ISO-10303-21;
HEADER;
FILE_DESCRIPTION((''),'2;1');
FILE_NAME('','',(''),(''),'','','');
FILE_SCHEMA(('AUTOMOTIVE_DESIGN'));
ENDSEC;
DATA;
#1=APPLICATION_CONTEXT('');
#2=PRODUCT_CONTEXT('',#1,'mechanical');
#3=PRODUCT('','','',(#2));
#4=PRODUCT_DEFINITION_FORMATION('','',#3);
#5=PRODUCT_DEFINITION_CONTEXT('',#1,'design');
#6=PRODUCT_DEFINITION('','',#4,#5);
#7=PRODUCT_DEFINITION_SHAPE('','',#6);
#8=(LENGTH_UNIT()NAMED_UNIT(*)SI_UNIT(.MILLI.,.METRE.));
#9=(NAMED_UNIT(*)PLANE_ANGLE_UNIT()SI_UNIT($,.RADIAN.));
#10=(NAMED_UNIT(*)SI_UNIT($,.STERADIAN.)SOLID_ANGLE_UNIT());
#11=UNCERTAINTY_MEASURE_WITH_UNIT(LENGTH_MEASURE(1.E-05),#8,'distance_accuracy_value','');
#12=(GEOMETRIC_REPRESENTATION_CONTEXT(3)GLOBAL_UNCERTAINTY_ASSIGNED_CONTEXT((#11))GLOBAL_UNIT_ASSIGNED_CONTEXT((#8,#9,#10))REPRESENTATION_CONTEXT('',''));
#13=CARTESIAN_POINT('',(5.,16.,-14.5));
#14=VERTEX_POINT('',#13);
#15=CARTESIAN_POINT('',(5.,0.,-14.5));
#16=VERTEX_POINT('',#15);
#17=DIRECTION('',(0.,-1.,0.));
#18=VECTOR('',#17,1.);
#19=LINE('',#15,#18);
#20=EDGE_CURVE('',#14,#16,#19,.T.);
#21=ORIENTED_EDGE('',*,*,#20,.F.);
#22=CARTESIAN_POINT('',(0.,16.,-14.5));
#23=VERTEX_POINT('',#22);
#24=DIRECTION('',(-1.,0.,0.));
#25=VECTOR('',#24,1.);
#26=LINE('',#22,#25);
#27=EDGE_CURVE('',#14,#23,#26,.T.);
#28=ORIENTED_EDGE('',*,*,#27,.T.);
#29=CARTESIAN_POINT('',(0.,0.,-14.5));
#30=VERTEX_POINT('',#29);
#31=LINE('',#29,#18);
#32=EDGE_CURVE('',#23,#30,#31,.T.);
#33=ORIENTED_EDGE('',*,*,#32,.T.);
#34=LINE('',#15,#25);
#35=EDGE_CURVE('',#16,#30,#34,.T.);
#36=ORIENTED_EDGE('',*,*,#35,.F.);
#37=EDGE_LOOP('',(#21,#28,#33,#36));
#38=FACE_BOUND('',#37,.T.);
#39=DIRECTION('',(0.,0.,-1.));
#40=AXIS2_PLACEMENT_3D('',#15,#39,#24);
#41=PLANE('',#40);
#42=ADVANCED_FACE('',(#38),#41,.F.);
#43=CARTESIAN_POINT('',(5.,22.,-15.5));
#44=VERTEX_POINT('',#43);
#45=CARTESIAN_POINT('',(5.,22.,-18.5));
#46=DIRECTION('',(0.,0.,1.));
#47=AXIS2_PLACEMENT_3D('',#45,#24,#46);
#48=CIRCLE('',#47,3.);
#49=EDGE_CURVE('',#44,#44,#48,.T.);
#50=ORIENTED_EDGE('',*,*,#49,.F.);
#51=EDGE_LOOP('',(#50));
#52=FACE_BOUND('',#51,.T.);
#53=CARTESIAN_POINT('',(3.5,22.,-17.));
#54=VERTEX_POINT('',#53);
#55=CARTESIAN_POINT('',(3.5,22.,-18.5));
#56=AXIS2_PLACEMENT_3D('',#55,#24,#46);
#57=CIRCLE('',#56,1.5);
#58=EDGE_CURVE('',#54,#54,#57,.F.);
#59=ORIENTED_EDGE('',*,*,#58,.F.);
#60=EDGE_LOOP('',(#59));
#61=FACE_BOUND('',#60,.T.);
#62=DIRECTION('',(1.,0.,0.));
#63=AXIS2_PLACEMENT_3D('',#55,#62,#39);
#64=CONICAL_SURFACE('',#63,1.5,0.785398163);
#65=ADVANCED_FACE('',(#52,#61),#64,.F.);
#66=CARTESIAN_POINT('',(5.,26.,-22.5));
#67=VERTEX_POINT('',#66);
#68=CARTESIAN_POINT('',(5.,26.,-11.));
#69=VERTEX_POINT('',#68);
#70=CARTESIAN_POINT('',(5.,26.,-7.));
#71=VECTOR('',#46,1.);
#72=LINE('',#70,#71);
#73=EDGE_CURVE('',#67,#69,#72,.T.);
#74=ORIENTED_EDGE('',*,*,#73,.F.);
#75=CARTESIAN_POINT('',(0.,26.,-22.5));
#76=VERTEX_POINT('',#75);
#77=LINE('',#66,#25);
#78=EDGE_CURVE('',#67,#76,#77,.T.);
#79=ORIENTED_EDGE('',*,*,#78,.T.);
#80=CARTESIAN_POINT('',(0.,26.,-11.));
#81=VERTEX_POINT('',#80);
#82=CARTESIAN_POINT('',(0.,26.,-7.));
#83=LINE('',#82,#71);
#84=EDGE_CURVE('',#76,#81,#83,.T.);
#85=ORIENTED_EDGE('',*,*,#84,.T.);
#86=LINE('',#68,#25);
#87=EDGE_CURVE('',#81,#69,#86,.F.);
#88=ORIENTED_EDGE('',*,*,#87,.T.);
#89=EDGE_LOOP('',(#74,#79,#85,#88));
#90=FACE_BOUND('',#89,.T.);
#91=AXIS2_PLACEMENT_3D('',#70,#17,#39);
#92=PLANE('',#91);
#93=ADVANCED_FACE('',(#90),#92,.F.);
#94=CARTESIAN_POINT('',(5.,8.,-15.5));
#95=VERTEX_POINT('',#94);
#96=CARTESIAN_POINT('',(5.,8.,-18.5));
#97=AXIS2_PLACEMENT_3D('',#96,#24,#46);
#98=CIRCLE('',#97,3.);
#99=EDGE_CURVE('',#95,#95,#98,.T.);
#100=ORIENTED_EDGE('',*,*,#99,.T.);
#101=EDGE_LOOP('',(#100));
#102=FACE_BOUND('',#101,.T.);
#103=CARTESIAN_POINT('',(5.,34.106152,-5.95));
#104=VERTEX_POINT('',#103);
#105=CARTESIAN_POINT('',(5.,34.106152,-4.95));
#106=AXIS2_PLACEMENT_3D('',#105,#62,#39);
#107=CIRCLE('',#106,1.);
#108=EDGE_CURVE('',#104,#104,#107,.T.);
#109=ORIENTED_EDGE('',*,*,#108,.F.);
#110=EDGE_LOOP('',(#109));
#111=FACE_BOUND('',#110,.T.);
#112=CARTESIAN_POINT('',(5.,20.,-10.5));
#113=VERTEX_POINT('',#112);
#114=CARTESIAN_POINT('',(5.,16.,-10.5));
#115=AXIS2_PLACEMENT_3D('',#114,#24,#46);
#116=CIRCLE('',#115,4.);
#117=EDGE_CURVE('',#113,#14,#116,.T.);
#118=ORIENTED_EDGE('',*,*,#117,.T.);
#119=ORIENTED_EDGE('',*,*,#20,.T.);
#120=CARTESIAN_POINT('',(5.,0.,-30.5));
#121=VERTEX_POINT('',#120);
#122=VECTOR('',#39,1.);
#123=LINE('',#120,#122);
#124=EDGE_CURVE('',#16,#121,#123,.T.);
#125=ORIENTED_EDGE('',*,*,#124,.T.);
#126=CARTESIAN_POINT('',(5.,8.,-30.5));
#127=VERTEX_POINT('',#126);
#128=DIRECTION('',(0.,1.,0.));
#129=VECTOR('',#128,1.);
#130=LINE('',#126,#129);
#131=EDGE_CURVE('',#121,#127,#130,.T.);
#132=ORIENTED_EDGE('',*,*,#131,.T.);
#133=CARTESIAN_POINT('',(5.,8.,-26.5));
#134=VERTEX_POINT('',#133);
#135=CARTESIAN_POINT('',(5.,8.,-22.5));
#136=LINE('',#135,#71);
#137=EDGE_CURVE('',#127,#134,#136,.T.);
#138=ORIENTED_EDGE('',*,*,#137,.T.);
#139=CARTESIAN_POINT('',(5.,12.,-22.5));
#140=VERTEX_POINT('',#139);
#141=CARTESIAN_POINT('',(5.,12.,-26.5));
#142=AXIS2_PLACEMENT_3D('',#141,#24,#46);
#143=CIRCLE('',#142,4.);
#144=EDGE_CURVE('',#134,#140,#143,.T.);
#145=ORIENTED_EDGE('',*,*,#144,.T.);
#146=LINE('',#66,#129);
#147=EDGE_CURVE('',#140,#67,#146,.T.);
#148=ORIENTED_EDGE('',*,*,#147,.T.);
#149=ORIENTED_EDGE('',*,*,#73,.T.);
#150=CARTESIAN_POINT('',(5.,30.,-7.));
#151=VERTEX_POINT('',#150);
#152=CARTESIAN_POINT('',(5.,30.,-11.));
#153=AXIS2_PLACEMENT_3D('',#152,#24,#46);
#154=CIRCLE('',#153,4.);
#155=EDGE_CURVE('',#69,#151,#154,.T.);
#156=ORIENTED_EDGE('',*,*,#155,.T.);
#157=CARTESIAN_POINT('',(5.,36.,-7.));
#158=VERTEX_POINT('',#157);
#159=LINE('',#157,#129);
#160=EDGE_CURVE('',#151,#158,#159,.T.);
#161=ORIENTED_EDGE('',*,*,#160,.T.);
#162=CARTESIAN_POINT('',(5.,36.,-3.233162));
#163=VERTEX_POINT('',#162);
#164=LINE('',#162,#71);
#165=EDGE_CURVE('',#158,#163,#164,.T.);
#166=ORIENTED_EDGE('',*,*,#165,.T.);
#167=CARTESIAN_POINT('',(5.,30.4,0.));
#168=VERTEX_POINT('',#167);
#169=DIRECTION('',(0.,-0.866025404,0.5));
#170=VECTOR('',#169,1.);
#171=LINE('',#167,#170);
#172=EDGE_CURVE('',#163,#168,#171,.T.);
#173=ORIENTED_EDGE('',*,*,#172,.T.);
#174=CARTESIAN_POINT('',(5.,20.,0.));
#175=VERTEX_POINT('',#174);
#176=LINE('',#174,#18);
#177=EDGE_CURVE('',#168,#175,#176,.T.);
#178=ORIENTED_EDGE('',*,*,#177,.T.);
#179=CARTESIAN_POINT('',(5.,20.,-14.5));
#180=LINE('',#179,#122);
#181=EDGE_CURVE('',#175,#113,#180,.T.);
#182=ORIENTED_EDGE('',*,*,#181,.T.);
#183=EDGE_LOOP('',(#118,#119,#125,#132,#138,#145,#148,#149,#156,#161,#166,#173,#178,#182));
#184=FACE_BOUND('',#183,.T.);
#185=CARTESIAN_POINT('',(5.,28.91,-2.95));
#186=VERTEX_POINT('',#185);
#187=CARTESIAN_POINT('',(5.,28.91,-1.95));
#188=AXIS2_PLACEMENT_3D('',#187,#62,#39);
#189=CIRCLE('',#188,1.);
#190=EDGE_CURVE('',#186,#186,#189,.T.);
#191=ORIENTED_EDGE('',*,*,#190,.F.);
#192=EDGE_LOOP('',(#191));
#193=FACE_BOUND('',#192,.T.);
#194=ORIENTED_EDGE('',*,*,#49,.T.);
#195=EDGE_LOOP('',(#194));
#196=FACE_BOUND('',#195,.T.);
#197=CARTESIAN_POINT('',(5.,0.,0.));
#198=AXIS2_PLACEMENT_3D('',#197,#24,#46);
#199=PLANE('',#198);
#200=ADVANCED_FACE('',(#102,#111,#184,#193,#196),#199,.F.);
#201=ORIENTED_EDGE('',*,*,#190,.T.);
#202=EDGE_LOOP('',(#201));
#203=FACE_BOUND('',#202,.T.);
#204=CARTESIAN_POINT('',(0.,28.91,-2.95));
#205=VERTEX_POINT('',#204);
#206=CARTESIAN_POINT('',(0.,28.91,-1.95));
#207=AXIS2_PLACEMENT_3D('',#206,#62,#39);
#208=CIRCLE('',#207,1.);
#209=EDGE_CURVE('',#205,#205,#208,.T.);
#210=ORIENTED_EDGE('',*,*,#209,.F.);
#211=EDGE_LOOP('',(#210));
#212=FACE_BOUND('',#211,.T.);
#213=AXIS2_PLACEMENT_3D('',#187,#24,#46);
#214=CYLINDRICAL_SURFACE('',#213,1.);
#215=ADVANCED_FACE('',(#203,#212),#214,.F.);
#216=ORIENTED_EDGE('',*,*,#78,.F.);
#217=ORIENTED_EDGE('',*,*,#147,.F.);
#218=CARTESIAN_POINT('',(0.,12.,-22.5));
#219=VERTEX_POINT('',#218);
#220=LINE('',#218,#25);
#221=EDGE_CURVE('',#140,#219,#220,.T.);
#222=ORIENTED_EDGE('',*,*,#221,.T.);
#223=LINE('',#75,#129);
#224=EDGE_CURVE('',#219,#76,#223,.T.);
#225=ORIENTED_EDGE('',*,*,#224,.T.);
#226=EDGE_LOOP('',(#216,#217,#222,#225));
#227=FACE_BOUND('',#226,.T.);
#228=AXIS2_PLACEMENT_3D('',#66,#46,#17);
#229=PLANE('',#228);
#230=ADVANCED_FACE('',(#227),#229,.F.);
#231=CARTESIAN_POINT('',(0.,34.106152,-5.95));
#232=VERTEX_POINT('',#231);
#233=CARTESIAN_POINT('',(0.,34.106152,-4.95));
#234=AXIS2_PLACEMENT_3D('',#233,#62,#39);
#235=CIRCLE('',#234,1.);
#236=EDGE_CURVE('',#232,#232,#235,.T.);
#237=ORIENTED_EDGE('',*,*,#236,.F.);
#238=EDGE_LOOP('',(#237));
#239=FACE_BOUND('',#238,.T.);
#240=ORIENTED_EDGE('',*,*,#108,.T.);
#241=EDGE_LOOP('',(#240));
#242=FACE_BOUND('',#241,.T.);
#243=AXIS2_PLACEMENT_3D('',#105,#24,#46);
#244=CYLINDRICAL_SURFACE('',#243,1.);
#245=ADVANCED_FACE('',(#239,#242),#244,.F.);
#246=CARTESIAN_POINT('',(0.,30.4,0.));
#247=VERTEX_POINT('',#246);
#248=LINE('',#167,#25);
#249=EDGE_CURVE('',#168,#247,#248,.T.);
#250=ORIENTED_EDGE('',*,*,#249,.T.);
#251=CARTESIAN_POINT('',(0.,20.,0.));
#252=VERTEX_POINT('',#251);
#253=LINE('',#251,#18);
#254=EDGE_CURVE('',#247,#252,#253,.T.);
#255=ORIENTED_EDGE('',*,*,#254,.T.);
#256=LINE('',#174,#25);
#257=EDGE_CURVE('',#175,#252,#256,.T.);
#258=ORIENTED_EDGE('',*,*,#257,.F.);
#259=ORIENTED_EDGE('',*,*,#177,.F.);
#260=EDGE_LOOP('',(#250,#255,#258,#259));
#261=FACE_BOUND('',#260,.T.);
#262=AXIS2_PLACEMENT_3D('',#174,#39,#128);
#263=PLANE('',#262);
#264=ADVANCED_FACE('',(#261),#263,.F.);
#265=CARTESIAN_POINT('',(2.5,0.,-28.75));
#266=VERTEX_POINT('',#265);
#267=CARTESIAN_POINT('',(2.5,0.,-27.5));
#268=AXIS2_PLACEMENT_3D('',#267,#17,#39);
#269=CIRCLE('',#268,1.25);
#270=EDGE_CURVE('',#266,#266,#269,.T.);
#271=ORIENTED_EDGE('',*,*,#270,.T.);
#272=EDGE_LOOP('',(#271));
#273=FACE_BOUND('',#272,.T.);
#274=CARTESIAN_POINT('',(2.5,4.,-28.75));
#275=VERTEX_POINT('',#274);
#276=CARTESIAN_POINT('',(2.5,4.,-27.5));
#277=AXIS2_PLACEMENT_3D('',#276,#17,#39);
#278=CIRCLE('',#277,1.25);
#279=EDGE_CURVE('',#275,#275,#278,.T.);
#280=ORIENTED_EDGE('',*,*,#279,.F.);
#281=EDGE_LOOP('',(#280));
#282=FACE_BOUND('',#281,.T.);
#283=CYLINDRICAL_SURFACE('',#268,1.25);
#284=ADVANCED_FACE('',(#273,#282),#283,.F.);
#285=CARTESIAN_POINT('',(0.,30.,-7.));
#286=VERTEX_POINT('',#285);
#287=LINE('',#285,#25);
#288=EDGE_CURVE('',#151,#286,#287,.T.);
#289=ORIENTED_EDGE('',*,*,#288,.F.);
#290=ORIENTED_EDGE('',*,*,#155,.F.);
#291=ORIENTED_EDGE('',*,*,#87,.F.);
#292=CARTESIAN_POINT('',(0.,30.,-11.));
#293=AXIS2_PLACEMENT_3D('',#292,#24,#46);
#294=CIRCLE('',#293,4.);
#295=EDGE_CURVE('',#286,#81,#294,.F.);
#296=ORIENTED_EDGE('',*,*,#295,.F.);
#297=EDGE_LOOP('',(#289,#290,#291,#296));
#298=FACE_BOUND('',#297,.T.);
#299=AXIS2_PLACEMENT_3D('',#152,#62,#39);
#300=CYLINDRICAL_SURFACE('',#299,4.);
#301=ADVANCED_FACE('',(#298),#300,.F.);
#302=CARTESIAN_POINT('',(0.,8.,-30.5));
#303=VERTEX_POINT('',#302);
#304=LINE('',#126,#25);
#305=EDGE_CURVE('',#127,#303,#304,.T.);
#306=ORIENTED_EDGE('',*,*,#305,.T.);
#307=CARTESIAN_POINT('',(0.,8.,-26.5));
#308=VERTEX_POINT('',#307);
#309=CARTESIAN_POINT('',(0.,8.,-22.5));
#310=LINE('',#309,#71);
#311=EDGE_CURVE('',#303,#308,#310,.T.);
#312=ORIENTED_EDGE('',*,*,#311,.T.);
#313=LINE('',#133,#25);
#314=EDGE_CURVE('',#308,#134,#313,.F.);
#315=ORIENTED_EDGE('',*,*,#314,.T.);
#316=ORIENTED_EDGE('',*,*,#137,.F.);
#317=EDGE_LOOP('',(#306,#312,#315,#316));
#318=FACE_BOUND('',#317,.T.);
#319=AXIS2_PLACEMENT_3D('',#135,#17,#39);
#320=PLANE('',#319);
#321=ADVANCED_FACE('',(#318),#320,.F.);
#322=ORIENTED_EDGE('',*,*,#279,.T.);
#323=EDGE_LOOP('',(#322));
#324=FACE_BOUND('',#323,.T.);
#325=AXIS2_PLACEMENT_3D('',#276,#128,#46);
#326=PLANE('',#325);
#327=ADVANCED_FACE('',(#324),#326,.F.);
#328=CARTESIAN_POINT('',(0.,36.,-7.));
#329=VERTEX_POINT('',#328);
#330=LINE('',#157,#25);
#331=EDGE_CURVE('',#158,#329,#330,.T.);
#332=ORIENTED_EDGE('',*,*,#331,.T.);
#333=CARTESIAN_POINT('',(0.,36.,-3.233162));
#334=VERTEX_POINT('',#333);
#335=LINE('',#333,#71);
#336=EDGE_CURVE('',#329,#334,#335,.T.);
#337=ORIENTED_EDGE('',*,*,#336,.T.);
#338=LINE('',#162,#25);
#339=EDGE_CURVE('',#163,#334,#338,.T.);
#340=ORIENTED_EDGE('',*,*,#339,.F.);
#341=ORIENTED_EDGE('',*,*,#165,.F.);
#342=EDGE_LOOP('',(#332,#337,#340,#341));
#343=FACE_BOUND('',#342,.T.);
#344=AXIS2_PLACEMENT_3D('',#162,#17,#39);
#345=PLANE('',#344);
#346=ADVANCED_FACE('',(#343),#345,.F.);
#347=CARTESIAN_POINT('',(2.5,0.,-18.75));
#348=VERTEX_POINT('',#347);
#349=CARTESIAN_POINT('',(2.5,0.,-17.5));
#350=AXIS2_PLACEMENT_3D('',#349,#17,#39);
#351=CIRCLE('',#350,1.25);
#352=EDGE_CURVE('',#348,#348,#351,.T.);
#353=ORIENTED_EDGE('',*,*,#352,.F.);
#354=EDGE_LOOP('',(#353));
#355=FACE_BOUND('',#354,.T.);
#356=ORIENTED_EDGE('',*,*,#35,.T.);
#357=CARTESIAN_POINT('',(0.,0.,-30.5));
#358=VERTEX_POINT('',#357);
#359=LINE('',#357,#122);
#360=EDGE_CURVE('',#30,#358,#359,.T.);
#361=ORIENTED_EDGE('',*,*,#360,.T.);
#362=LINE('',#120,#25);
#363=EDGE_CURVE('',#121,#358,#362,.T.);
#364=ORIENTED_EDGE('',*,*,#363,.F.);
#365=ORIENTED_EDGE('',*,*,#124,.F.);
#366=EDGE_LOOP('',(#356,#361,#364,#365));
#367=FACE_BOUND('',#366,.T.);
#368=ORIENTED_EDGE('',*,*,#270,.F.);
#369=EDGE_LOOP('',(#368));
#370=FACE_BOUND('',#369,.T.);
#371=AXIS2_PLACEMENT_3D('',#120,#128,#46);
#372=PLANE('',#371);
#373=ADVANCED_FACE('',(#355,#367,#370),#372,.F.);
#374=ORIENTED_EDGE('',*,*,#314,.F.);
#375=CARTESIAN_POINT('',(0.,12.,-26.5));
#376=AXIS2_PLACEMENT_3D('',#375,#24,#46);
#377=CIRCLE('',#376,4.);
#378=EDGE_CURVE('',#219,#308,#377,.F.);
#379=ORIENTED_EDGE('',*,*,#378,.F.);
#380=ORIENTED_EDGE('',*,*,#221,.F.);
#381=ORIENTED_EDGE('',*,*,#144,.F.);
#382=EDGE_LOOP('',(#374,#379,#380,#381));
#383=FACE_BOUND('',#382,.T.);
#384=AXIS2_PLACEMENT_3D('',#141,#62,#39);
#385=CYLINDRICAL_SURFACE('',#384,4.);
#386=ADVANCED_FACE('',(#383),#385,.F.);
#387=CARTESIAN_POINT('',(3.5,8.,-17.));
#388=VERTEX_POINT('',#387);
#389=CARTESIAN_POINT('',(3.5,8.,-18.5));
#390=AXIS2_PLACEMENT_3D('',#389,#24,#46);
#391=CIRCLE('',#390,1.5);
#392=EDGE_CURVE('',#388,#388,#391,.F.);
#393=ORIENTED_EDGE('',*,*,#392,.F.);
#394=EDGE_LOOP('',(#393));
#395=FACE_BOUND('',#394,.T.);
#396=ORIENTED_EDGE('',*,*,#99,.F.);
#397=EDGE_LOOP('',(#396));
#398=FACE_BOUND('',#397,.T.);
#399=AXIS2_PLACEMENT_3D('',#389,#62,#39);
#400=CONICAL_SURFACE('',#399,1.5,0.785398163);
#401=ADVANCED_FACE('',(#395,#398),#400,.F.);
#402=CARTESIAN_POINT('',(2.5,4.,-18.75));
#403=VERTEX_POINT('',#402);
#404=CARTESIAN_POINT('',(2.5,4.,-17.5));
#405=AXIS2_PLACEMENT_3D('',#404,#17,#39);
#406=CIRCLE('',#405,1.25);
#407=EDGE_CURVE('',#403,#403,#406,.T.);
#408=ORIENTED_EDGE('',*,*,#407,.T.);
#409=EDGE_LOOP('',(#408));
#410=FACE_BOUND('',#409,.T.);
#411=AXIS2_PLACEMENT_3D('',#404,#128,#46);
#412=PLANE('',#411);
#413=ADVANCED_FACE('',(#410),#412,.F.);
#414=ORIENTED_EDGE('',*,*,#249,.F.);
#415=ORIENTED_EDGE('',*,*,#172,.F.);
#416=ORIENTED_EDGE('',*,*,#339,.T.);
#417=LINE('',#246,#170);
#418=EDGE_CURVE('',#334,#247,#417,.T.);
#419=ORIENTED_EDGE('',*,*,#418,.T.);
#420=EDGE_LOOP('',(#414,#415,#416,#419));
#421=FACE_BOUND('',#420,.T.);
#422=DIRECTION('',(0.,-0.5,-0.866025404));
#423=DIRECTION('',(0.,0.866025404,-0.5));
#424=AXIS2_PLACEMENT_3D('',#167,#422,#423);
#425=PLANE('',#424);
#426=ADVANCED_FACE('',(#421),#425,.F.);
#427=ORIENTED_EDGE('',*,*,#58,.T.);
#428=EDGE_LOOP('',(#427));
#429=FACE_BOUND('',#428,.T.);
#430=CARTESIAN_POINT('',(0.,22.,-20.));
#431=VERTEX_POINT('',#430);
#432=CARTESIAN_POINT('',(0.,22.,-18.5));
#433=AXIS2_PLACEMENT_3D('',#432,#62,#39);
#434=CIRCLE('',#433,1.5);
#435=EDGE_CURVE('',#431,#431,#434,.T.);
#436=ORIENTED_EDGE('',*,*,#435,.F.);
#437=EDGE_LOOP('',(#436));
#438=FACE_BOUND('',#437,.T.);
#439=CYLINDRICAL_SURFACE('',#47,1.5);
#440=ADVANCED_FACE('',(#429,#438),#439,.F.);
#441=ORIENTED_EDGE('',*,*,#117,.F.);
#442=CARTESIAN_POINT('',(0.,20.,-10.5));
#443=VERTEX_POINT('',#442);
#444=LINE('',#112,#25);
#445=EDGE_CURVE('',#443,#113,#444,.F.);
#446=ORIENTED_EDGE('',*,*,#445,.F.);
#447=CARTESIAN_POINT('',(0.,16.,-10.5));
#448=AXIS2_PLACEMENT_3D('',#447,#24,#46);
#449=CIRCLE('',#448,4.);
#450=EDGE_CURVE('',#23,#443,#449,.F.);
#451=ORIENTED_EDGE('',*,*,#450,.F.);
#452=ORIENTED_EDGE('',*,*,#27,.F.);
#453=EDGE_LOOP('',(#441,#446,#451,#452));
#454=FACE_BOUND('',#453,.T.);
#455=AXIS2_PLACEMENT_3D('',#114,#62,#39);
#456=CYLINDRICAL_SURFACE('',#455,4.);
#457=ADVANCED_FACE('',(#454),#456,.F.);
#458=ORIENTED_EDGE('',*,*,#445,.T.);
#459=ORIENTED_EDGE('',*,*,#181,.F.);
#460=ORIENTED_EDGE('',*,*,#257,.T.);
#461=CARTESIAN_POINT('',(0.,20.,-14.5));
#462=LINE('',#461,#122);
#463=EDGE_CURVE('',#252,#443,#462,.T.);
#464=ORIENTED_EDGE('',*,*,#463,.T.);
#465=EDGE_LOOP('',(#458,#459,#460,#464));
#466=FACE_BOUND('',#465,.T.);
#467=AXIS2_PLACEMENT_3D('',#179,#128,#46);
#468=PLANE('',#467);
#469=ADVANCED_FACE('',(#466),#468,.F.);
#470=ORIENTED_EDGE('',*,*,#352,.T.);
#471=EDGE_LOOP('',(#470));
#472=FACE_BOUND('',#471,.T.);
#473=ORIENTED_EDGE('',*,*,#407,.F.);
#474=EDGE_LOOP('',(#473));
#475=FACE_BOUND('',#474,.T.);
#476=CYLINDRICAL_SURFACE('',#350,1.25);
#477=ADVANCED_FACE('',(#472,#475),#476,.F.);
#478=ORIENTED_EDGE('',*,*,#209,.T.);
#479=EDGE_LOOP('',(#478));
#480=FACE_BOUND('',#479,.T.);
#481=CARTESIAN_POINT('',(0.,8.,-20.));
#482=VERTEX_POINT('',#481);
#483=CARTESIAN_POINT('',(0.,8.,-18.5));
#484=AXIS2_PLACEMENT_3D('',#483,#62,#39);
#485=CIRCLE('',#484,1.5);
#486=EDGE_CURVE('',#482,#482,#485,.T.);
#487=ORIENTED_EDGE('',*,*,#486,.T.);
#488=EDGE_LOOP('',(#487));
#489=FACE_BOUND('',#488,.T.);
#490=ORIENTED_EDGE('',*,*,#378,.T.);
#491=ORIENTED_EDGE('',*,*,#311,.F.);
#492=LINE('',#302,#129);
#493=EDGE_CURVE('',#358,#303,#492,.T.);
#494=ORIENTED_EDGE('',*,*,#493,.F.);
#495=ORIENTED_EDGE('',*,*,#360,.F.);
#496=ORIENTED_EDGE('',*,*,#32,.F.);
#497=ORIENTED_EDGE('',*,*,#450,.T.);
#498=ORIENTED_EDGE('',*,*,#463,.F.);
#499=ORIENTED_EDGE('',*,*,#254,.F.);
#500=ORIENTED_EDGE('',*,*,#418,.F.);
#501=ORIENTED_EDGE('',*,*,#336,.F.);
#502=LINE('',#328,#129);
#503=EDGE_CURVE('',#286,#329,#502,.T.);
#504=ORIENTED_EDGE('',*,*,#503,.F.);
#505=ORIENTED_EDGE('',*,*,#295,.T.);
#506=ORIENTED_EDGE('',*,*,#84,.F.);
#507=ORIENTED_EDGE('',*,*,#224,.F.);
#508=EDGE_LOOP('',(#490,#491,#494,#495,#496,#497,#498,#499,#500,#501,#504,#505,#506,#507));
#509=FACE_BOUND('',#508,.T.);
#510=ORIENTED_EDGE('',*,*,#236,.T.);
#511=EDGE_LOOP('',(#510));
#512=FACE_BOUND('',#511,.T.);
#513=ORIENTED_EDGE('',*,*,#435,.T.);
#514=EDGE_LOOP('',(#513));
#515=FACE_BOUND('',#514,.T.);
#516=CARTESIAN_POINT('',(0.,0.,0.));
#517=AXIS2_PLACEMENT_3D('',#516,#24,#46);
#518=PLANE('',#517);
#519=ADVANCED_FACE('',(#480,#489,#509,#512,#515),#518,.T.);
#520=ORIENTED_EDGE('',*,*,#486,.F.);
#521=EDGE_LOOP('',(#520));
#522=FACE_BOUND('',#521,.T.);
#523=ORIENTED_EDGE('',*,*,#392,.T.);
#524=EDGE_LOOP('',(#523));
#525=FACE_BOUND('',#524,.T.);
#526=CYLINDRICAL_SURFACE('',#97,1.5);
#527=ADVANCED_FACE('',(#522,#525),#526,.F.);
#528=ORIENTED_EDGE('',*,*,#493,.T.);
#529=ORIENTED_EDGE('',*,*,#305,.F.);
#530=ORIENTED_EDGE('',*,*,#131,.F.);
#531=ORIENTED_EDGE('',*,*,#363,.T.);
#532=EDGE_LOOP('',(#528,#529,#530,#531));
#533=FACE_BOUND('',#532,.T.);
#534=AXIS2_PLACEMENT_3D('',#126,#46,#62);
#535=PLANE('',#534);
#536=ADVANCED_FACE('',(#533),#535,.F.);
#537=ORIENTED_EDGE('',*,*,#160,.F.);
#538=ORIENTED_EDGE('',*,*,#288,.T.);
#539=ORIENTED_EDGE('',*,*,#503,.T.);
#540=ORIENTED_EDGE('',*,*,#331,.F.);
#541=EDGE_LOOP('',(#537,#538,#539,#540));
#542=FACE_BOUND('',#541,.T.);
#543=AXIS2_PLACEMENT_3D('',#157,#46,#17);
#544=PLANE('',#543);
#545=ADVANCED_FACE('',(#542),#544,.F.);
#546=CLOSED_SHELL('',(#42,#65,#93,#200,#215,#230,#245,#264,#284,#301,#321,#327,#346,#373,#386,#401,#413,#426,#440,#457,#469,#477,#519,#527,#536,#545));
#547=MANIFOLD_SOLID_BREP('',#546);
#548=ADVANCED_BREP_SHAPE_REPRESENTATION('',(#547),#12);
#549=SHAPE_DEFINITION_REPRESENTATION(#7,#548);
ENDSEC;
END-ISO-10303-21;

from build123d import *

# Parameters (mm, degrees)
SKETCH1_R                       = 1.5
SKETCH1_R_2                     = 1
BOSS_EXTRUDE1_DEPTH             = 5
FILLET1_R                       = 4
TAP_DRILL_FOR_M3X0_5_TAP1_D     = 2.5
TAP_DRILL_FOR_M3X0_5_TAP1_DEPTH = 4
CHAMFER1_SIZE                   = 1.5


with BuildPart() as part:
    # Sketch1 → Boss-Extrude1 (new body)
    with BuildSketch(Plane(origin=(0, 0, 0), x_dir=(0, 0, -1), z_dir=(1, 0, 0))):
        Polygon((30.5, 0), (14.5, 0), (14.5, 20), (0, 20), (0, 30.4), (3.233161507, 36), (7, 36), (7, 26), (22.5, 26), (22.5, 8), (30.5, 8), align=None)
        with Locations((18.5, 8)):
            Circle(SKETCH1_R, mode=Mode.SUBTRACT)
        with Locations((18.5, 22)):
            Circle(SKETCH1_R, mode=Mode.SUBTRACT)
        with Locations((1.95, 28.91)):
            Circle(SKETCH1_R_2, mode=Mode.SUBTRACT)
        with Locations((4.95, 34.106152423)):
            Circle(SKETCH1_R_2, mode=Mode.SUBTRACT)
    extrude(amount=BOSS_EXTRUDE1_DEPTH)

    # Fillet1
    fillet1_edges = [part.edges().sort_by_distance(p)[0] for p in [
        (2.5, 20, -14.5),
        (2.5, 26, -7),
        (2.5, 8, -22.5),
    ]]
    fillet(fillet1_edges, radius=FILLET1_R)

    # Tap Drill for M3x0.5 Tap1
    with Locations(Plane(origin=(0, 0, 0), x_dir=(-1, 0, 0), z_dir=(0, -1, 0))):
        with Locations((-2.5, 17.5), (-2.5, 27.5)):
            Hole(TAP_DRILL_FOR_M3X0_5_TAP1_D / 2, depth=TAP_DRILL_FOR_M3X0_5_TAP1_DEPTH)

    # Chamfer1
    chamfer1_edges = [part.edges().sort_by_distance(p)[0] for p in [
        (5, 8, -17),
        (5, 22, -17),
    ]]
    chamfer(chamfer1_edges, length=CHAMFER1_SIZE)


solid = part.part
